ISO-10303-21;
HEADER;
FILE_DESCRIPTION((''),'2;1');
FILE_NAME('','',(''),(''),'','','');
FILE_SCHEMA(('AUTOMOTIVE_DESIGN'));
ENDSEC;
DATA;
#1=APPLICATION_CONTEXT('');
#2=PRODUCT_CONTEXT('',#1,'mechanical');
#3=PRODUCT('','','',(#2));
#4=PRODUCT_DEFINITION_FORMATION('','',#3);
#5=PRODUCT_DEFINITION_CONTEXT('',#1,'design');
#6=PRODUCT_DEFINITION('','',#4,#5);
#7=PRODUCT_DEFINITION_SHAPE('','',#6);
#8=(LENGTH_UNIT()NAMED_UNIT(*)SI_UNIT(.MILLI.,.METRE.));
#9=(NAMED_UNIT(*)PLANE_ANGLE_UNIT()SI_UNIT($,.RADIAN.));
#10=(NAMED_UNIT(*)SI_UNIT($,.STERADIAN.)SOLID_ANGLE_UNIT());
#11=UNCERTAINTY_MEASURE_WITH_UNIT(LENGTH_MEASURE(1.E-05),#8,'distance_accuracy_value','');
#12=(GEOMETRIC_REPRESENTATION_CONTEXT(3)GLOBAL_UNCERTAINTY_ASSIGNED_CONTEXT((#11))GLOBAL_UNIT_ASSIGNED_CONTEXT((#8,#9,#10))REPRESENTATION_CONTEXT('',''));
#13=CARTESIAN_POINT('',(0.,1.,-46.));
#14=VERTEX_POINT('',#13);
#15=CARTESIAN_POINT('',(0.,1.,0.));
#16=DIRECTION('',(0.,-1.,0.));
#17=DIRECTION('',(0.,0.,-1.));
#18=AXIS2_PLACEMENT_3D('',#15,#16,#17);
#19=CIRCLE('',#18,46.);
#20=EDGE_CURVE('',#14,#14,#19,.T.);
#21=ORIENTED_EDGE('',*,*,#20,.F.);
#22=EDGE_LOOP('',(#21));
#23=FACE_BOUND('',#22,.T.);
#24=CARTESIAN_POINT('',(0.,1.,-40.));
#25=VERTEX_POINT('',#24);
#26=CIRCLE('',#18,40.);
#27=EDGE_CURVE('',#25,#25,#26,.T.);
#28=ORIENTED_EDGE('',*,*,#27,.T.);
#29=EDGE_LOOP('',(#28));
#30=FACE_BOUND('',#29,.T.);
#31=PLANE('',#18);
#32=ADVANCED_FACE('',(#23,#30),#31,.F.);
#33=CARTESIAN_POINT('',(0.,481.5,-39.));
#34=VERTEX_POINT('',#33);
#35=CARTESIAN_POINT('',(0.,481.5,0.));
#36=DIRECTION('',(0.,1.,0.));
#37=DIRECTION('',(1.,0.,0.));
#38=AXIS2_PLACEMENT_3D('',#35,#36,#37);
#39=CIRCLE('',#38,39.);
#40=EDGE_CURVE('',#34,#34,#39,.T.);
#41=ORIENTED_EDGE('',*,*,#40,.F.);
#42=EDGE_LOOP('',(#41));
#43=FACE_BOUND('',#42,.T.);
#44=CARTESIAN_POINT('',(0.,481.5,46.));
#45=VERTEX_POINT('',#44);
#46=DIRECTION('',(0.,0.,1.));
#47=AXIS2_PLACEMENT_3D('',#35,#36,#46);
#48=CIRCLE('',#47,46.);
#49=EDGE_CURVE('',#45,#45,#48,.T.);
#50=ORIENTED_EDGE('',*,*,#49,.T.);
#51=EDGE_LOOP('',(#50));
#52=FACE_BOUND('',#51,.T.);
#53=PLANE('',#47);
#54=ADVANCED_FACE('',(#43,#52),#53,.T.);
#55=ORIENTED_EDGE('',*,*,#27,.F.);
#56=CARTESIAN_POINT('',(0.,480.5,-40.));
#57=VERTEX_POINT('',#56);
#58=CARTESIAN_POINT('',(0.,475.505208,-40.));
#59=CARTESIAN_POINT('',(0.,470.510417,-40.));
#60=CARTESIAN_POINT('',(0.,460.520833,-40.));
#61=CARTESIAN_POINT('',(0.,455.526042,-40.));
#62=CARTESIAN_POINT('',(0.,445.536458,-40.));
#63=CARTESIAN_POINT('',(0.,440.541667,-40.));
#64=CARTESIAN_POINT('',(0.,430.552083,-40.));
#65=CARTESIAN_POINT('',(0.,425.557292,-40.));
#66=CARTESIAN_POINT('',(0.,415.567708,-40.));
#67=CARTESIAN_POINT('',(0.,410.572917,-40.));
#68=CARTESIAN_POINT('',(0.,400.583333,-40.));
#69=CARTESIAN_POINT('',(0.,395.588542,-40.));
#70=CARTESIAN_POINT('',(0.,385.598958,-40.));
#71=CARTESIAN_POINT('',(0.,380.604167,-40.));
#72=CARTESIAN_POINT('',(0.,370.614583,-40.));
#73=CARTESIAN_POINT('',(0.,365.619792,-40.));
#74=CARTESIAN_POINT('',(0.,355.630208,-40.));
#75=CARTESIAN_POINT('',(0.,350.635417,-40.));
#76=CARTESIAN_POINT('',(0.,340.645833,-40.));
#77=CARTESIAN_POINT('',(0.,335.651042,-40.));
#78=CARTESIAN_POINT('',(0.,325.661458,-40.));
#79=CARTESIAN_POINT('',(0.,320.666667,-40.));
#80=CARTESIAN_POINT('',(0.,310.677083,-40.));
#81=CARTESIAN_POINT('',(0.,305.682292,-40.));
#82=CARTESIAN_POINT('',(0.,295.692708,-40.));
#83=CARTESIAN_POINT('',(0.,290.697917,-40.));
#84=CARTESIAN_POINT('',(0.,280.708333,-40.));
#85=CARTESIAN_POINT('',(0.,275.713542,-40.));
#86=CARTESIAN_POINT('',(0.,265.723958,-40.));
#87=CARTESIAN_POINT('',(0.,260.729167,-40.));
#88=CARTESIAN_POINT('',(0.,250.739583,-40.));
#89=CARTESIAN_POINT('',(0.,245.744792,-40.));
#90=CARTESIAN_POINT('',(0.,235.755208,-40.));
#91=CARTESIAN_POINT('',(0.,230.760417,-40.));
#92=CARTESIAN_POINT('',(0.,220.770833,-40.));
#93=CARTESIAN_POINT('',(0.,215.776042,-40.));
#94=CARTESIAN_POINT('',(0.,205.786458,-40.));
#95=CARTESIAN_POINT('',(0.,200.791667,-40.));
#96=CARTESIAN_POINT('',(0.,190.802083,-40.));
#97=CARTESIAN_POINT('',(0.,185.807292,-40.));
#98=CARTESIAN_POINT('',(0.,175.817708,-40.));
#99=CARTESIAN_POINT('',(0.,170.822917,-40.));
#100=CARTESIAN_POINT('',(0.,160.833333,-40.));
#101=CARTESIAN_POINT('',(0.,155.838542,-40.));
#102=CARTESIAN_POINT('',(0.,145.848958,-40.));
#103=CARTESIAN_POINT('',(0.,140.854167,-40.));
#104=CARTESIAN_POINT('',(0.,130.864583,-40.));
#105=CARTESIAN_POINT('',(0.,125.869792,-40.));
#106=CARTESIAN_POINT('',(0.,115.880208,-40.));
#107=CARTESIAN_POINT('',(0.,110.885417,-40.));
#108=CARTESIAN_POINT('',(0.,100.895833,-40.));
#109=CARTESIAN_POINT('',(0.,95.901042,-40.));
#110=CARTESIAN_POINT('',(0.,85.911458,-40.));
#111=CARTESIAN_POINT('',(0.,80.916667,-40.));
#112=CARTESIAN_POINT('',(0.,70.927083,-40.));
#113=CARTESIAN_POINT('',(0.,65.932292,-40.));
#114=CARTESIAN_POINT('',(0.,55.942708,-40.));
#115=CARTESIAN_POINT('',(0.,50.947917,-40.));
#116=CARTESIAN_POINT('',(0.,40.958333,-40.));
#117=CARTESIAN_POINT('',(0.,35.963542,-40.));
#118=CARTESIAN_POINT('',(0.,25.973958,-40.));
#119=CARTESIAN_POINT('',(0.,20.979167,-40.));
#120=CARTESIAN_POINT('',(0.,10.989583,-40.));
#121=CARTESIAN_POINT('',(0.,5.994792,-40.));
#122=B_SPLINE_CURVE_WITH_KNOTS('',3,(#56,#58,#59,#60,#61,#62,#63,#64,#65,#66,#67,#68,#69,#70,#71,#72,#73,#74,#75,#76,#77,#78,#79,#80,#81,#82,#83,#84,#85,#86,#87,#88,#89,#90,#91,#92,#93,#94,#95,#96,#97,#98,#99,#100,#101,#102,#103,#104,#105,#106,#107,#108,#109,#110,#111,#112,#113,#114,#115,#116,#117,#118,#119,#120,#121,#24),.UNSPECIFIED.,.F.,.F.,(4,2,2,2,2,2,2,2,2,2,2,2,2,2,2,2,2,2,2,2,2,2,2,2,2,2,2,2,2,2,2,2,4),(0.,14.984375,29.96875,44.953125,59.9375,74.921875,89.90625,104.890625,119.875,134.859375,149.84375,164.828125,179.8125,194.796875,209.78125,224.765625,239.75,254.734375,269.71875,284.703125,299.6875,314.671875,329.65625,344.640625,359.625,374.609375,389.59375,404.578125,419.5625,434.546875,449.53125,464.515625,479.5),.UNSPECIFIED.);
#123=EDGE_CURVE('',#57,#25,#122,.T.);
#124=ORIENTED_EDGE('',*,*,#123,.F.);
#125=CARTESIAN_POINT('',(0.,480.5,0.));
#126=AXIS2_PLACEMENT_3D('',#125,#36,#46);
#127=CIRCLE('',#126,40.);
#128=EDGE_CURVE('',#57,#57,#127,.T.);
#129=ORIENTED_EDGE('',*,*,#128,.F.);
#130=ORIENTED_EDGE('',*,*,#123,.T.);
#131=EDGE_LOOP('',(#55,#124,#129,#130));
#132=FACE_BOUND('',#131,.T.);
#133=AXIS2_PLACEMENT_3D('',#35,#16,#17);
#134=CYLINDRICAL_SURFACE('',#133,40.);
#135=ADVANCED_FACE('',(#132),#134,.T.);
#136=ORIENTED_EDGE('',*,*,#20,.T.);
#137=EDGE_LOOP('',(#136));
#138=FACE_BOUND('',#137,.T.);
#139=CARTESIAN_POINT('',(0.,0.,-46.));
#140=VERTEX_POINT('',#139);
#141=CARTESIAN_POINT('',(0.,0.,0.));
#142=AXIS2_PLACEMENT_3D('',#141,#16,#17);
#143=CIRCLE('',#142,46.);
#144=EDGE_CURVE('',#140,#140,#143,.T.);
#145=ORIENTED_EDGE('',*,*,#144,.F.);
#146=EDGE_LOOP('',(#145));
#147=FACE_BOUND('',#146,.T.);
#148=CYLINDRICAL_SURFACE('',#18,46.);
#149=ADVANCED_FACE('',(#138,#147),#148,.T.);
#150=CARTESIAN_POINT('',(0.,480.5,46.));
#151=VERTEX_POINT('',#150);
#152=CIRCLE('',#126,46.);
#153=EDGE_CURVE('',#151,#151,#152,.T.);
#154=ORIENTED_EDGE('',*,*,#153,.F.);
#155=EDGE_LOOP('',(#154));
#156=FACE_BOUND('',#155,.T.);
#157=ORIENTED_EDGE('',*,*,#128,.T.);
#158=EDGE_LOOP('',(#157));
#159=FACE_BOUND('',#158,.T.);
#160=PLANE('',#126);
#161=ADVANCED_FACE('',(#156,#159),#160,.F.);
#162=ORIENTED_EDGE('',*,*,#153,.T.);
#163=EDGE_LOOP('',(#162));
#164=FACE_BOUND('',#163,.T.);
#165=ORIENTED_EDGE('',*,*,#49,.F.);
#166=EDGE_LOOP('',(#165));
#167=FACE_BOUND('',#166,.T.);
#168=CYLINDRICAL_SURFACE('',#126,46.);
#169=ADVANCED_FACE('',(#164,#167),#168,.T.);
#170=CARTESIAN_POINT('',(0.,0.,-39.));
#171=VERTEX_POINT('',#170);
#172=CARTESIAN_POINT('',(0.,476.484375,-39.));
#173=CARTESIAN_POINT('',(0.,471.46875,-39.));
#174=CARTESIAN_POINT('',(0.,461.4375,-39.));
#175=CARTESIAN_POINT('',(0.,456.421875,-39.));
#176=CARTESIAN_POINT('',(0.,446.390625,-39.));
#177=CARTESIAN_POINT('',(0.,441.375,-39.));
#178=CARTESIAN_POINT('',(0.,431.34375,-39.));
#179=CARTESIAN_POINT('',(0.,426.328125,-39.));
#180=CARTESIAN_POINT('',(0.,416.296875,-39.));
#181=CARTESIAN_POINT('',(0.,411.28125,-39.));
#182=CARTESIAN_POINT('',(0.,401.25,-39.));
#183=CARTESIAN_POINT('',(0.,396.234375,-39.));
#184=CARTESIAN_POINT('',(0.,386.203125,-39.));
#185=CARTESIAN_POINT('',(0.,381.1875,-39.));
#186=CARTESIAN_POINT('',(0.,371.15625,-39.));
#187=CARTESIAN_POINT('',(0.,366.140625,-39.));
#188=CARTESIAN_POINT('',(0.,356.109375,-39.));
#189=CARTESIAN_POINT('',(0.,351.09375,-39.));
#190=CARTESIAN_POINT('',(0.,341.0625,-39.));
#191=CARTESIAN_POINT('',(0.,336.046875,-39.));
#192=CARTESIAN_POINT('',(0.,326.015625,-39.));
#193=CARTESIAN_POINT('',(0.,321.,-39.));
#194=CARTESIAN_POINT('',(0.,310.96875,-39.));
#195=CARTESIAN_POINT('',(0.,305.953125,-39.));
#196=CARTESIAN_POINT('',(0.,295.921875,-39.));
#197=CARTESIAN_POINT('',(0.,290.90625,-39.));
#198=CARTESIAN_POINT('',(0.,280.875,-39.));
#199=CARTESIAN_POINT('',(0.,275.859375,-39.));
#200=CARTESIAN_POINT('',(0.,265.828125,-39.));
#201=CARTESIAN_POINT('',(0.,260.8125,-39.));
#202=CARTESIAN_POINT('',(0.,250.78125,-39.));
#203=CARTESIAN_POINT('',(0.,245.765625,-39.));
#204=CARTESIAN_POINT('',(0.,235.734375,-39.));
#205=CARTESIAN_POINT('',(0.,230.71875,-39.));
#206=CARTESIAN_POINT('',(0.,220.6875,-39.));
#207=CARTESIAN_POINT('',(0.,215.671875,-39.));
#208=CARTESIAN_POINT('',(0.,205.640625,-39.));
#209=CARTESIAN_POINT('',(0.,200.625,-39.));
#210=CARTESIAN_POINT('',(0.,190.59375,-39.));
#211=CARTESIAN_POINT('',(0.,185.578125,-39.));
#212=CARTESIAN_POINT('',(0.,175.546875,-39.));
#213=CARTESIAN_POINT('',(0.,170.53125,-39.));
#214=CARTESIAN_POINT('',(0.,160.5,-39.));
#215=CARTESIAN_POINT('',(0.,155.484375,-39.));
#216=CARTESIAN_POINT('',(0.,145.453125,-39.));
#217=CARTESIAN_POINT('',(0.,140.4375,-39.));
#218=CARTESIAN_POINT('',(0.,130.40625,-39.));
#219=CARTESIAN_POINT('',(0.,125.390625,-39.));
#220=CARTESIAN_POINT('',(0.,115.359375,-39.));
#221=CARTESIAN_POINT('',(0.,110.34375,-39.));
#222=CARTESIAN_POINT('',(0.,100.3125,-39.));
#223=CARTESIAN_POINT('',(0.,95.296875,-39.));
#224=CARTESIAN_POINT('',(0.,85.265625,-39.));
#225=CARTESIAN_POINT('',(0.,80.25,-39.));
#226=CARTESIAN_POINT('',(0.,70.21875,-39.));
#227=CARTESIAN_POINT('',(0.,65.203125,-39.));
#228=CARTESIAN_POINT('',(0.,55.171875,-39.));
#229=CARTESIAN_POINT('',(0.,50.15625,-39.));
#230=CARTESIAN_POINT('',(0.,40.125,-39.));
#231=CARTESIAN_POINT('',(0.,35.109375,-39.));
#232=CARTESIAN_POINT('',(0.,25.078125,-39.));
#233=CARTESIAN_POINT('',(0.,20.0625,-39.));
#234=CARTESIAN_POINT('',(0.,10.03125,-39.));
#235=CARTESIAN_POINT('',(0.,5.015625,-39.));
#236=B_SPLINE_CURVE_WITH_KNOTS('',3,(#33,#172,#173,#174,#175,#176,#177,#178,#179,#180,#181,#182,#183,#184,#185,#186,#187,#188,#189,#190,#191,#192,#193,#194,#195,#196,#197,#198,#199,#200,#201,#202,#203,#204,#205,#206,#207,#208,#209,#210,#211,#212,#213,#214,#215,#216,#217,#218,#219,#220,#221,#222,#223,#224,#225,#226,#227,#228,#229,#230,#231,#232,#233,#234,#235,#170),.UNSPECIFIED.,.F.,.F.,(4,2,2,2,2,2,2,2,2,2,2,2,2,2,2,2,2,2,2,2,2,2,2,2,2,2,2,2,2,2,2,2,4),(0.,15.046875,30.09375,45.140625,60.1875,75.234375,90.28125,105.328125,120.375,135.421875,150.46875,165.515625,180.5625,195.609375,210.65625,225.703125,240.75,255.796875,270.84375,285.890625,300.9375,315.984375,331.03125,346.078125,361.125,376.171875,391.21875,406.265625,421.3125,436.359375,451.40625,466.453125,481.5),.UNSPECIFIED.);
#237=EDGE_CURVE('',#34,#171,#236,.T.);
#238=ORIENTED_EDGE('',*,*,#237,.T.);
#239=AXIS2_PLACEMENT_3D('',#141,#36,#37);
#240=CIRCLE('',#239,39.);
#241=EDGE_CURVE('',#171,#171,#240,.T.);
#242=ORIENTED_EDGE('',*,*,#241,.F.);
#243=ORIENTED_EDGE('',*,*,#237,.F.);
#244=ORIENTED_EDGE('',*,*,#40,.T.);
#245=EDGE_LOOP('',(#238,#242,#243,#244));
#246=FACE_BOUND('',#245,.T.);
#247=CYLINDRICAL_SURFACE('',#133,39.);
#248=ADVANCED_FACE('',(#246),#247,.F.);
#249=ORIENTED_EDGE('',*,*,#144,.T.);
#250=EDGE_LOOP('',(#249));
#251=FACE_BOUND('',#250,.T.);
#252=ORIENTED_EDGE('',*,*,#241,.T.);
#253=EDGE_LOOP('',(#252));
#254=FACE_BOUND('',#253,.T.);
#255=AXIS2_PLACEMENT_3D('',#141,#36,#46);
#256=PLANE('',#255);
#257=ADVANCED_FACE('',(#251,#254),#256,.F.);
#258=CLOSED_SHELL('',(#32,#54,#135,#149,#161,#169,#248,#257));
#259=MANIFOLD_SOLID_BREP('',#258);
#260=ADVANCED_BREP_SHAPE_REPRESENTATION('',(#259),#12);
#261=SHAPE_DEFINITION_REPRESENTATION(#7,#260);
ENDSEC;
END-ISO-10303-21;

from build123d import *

# Parameters (mm, degrees)
SCHIZZO1_R                   = 40
SCHIZZO1_R_2                 = 39
ESTRUSIONE_SOTTILE1_DEPTH    = 481.5
ESTRUSIONE_ESTRUSIONE1_START = -1
SCHIZZO2_R                   = 46
SCHIZZO2_R_2                 = 40
ESTRUSIONE_ESTRUSIONE1_DEPTH = 1
SCHIZZO3_R                   = 46
SCHIZZO3_R_2                 = 40
ESTRUSIONE_ESTRUSIONE2_DEPTH = 1


with BuildPart() as part:
    # Schizzo1 → Estrusione-Sottile1 (new body)
    with BuildSketch(Plane(origin=(0, 0, 0), x_dir=(1, 0, 0), z_dir=(0, 1, 0))):
        Circle(SCHIZZO1_R)
        Circle(SCHIZZO1_R_2, mode=Mode.SUBTRACT)
    extrude(amount=ESTRUSIONE_SOTTILE1_DEPTH)

    # Schizzo2 → Estrusione-Estrusione1 (add)
    with BuildSketch(Plane(origin=(0, 481.5, 0), x_dir=(1, 0, 0), z_dir=(0, 1, 0)).offset(ESTRUSIONE_ESTRUSIONE1_START)):
        with Locations(Location((0, 0, 0), (0, 0, 270))):
            Circle(SCHIZZO2_R)
        with Locations(Location((0, 0, 0), (0, 0, 90))):
            Circle(SCHIZZO2_R_2, mode=Mode.SUBTRACT)
    extrude(amount=ESTRUSIONE_ESTRUSIONE1_DEPTH)

    # Schizzo3 → Estrusione-Estrusione2 (add)
    with BuildSketch(Plane.XZ):
        with Locations(Location((0, 0, 0), (0, 0, 90))):
            Circle(SCHIZZO3_R)
        with Locations(Location((0, 0, 0), (0, 0, 270))):
            Circle(SCHIZZO3_R_2, mode=Mode.SUBTRACT)
    extrude(amount=-ESTRUSIONE_ESTRUSIONE2_DEPTH)


solid = part.part
